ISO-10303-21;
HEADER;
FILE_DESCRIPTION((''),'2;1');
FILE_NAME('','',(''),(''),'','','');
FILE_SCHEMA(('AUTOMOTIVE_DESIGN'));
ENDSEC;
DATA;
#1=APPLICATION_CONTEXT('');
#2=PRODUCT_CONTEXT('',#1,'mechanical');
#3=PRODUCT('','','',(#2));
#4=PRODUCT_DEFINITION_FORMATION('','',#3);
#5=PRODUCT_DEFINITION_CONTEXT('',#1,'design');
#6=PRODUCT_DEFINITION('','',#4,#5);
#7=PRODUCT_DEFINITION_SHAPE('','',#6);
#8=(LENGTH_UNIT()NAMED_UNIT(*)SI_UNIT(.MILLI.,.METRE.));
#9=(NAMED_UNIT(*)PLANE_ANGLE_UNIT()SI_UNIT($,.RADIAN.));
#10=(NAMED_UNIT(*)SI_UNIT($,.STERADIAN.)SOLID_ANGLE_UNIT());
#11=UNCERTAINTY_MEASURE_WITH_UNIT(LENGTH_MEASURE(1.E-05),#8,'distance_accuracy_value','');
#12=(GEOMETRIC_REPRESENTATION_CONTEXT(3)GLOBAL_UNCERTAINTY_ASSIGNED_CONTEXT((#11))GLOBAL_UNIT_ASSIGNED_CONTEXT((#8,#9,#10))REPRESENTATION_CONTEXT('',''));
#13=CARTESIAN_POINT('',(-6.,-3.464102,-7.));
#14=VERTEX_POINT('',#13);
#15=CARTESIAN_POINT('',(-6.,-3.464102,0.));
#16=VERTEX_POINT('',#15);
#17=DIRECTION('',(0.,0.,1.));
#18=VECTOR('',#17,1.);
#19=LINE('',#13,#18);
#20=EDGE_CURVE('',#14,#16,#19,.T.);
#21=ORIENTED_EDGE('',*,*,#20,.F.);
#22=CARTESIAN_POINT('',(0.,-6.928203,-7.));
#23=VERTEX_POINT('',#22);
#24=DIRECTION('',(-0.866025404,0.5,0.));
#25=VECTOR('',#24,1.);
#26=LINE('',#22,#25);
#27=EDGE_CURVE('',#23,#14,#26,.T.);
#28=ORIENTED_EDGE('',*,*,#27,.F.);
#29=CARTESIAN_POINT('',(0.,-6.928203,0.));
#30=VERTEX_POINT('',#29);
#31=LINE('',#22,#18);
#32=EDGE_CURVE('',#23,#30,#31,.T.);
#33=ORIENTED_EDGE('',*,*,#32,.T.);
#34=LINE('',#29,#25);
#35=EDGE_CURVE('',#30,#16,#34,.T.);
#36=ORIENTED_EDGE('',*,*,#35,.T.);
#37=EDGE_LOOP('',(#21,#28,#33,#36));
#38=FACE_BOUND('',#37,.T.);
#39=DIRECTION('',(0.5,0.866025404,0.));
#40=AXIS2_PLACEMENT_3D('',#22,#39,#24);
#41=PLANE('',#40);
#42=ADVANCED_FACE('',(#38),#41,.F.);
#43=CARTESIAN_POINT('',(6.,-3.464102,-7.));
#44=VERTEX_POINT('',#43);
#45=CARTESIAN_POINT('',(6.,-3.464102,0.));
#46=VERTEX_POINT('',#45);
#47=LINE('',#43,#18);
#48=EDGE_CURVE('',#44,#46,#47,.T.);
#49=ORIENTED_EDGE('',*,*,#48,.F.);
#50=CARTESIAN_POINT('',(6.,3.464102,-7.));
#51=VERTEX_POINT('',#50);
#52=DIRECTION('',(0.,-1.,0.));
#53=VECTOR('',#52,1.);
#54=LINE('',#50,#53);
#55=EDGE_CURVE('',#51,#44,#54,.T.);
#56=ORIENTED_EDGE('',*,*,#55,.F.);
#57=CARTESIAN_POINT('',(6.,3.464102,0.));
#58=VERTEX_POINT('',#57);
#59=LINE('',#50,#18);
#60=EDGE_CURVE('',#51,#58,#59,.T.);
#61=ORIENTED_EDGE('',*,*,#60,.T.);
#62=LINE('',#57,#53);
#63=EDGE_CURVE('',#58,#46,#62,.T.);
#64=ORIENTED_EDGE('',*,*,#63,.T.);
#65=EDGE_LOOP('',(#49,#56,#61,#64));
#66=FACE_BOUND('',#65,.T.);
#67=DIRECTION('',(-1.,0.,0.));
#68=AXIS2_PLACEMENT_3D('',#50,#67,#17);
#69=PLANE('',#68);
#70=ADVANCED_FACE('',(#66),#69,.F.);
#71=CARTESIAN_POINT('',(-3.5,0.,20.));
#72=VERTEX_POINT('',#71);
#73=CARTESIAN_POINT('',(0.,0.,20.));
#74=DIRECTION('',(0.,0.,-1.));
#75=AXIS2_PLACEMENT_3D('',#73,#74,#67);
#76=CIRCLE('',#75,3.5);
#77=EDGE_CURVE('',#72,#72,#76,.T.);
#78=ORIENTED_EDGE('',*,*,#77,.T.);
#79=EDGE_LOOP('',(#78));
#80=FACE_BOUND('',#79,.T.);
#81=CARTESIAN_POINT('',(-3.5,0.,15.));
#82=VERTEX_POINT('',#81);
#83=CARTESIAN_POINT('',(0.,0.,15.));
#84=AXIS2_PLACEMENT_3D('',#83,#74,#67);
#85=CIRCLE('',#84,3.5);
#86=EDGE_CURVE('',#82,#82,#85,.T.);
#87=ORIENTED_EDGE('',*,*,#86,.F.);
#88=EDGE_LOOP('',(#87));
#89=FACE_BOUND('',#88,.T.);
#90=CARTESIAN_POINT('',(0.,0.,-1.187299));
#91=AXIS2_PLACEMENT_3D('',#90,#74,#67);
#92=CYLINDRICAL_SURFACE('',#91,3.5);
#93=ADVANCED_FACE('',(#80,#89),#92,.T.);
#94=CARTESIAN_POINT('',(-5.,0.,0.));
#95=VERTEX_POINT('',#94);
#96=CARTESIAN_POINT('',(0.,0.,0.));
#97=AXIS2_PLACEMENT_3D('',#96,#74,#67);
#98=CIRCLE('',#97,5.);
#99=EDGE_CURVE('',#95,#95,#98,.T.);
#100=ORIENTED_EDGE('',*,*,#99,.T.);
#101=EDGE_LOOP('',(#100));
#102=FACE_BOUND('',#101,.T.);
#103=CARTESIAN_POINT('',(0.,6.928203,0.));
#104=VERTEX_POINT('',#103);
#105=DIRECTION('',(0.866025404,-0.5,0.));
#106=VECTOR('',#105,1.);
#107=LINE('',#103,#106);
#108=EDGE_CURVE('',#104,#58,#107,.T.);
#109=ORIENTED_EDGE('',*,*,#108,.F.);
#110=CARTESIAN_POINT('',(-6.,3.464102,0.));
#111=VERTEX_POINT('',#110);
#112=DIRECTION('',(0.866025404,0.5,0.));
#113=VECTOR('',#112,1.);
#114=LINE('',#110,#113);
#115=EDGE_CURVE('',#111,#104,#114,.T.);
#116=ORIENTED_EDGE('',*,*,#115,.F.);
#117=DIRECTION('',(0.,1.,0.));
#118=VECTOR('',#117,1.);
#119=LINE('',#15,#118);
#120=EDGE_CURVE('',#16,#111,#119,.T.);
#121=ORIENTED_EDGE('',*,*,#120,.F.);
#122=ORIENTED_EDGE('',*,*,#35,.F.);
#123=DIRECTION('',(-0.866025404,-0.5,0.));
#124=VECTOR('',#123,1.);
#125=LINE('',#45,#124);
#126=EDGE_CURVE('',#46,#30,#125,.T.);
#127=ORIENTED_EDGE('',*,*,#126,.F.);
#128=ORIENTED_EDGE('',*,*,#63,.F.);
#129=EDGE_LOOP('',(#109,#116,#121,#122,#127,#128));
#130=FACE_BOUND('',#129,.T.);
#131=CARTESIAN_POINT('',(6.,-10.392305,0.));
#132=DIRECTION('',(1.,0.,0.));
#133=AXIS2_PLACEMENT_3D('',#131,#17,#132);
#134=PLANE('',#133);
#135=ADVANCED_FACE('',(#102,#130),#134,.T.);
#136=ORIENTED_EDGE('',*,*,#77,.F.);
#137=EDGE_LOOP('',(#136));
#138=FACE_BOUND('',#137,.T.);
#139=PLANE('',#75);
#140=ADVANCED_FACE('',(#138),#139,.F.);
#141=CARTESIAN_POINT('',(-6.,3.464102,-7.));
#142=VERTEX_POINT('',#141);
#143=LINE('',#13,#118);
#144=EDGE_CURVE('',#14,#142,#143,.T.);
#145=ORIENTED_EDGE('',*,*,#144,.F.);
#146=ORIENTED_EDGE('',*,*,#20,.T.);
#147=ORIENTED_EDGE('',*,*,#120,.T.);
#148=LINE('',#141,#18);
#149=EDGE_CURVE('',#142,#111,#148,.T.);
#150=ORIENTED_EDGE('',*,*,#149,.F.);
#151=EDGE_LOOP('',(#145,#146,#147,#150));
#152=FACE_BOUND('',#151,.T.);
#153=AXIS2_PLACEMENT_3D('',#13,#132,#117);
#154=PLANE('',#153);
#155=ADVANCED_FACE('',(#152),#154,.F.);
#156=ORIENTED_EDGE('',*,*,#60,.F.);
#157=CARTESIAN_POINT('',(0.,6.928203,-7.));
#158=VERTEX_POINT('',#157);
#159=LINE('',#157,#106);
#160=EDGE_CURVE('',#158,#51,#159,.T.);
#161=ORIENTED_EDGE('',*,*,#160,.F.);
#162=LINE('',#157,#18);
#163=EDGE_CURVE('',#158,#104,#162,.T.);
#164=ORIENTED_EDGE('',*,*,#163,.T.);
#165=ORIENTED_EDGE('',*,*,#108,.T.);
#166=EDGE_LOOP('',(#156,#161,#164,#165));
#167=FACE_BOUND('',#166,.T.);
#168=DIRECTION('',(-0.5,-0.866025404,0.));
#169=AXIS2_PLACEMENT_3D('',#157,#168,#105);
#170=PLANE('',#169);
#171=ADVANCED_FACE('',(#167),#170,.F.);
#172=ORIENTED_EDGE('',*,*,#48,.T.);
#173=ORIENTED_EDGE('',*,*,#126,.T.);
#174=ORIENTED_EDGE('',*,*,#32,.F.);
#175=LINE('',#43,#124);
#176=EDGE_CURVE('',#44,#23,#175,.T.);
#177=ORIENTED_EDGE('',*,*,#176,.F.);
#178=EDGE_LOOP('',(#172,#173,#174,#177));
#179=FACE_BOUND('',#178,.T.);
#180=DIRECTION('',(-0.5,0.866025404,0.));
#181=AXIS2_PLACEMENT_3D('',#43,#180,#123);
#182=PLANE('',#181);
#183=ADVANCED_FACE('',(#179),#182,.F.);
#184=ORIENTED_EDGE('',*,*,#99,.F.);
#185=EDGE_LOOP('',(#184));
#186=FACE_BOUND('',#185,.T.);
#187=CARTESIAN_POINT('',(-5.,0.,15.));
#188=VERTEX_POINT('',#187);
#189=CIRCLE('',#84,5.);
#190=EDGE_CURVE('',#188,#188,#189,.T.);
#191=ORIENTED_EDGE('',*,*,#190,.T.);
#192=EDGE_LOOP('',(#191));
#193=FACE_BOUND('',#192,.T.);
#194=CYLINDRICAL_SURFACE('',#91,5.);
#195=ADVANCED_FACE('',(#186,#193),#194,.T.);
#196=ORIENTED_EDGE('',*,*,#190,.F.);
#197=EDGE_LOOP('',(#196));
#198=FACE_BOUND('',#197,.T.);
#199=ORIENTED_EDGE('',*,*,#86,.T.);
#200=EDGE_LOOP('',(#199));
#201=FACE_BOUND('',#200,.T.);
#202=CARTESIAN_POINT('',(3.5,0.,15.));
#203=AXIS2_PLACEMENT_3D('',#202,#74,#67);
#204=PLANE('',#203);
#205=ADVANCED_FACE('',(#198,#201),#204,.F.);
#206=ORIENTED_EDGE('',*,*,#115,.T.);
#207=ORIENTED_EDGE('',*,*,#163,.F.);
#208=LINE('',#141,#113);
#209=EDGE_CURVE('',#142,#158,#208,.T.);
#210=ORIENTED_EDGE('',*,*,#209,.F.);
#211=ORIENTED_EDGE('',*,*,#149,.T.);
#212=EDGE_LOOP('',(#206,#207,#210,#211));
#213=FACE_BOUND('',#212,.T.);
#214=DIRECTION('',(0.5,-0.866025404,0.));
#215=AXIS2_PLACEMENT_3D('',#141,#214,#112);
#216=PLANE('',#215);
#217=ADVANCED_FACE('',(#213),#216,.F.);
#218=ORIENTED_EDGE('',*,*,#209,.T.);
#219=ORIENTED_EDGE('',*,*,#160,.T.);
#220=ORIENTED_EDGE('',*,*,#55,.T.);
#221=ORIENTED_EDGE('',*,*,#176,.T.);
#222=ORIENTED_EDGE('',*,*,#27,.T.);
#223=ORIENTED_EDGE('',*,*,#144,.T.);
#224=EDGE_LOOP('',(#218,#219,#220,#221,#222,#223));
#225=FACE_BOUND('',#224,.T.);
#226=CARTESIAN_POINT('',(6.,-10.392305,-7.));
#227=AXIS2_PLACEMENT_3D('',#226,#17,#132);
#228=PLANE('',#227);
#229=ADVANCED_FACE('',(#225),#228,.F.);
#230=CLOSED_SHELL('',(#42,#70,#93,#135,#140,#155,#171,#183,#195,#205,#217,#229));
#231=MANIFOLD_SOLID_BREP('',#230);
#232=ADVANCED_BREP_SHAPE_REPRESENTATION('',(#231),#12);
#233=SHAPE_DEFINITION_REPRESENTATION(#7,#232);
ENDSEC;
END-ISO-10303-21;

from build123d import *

# Parameters (mm, degrees)
BOSS_EXTRUDE1_DEPTH = 7


with BuildPart() as part:
    # Sketch1 → Base-Revolve (revolve)
    with BuildSketch(Plane(origin=(0, 0, 0), x_dir=(1, 0, 0), z_dir=(0, 1, 0))):
        Polygon((0, 0), (0, -20), (3.5, -20), (3.5, -15), (5, -15), (5, 0), align=None)
    revolve(axis=Axis((0, 0, -1.187299328), (0, 0, 1)))

    # Sketch2 → Boss-Extrude1 (add)
    with BuildSketch(Plane(origin=(0, 0, 0), x_dir=(-1, 0, 0), z_dir=(0, 0, -1))):
        Polygon((6, -3.464101615), (6, 3.464101615), (0, 6.92820323), (-6, 3.464101615), (-6, -3.464101615), (0, -6.92820323), align=None)
    extrude(amount=BOSS_EXTRUDE1_DEPTH)


solid = part.part
